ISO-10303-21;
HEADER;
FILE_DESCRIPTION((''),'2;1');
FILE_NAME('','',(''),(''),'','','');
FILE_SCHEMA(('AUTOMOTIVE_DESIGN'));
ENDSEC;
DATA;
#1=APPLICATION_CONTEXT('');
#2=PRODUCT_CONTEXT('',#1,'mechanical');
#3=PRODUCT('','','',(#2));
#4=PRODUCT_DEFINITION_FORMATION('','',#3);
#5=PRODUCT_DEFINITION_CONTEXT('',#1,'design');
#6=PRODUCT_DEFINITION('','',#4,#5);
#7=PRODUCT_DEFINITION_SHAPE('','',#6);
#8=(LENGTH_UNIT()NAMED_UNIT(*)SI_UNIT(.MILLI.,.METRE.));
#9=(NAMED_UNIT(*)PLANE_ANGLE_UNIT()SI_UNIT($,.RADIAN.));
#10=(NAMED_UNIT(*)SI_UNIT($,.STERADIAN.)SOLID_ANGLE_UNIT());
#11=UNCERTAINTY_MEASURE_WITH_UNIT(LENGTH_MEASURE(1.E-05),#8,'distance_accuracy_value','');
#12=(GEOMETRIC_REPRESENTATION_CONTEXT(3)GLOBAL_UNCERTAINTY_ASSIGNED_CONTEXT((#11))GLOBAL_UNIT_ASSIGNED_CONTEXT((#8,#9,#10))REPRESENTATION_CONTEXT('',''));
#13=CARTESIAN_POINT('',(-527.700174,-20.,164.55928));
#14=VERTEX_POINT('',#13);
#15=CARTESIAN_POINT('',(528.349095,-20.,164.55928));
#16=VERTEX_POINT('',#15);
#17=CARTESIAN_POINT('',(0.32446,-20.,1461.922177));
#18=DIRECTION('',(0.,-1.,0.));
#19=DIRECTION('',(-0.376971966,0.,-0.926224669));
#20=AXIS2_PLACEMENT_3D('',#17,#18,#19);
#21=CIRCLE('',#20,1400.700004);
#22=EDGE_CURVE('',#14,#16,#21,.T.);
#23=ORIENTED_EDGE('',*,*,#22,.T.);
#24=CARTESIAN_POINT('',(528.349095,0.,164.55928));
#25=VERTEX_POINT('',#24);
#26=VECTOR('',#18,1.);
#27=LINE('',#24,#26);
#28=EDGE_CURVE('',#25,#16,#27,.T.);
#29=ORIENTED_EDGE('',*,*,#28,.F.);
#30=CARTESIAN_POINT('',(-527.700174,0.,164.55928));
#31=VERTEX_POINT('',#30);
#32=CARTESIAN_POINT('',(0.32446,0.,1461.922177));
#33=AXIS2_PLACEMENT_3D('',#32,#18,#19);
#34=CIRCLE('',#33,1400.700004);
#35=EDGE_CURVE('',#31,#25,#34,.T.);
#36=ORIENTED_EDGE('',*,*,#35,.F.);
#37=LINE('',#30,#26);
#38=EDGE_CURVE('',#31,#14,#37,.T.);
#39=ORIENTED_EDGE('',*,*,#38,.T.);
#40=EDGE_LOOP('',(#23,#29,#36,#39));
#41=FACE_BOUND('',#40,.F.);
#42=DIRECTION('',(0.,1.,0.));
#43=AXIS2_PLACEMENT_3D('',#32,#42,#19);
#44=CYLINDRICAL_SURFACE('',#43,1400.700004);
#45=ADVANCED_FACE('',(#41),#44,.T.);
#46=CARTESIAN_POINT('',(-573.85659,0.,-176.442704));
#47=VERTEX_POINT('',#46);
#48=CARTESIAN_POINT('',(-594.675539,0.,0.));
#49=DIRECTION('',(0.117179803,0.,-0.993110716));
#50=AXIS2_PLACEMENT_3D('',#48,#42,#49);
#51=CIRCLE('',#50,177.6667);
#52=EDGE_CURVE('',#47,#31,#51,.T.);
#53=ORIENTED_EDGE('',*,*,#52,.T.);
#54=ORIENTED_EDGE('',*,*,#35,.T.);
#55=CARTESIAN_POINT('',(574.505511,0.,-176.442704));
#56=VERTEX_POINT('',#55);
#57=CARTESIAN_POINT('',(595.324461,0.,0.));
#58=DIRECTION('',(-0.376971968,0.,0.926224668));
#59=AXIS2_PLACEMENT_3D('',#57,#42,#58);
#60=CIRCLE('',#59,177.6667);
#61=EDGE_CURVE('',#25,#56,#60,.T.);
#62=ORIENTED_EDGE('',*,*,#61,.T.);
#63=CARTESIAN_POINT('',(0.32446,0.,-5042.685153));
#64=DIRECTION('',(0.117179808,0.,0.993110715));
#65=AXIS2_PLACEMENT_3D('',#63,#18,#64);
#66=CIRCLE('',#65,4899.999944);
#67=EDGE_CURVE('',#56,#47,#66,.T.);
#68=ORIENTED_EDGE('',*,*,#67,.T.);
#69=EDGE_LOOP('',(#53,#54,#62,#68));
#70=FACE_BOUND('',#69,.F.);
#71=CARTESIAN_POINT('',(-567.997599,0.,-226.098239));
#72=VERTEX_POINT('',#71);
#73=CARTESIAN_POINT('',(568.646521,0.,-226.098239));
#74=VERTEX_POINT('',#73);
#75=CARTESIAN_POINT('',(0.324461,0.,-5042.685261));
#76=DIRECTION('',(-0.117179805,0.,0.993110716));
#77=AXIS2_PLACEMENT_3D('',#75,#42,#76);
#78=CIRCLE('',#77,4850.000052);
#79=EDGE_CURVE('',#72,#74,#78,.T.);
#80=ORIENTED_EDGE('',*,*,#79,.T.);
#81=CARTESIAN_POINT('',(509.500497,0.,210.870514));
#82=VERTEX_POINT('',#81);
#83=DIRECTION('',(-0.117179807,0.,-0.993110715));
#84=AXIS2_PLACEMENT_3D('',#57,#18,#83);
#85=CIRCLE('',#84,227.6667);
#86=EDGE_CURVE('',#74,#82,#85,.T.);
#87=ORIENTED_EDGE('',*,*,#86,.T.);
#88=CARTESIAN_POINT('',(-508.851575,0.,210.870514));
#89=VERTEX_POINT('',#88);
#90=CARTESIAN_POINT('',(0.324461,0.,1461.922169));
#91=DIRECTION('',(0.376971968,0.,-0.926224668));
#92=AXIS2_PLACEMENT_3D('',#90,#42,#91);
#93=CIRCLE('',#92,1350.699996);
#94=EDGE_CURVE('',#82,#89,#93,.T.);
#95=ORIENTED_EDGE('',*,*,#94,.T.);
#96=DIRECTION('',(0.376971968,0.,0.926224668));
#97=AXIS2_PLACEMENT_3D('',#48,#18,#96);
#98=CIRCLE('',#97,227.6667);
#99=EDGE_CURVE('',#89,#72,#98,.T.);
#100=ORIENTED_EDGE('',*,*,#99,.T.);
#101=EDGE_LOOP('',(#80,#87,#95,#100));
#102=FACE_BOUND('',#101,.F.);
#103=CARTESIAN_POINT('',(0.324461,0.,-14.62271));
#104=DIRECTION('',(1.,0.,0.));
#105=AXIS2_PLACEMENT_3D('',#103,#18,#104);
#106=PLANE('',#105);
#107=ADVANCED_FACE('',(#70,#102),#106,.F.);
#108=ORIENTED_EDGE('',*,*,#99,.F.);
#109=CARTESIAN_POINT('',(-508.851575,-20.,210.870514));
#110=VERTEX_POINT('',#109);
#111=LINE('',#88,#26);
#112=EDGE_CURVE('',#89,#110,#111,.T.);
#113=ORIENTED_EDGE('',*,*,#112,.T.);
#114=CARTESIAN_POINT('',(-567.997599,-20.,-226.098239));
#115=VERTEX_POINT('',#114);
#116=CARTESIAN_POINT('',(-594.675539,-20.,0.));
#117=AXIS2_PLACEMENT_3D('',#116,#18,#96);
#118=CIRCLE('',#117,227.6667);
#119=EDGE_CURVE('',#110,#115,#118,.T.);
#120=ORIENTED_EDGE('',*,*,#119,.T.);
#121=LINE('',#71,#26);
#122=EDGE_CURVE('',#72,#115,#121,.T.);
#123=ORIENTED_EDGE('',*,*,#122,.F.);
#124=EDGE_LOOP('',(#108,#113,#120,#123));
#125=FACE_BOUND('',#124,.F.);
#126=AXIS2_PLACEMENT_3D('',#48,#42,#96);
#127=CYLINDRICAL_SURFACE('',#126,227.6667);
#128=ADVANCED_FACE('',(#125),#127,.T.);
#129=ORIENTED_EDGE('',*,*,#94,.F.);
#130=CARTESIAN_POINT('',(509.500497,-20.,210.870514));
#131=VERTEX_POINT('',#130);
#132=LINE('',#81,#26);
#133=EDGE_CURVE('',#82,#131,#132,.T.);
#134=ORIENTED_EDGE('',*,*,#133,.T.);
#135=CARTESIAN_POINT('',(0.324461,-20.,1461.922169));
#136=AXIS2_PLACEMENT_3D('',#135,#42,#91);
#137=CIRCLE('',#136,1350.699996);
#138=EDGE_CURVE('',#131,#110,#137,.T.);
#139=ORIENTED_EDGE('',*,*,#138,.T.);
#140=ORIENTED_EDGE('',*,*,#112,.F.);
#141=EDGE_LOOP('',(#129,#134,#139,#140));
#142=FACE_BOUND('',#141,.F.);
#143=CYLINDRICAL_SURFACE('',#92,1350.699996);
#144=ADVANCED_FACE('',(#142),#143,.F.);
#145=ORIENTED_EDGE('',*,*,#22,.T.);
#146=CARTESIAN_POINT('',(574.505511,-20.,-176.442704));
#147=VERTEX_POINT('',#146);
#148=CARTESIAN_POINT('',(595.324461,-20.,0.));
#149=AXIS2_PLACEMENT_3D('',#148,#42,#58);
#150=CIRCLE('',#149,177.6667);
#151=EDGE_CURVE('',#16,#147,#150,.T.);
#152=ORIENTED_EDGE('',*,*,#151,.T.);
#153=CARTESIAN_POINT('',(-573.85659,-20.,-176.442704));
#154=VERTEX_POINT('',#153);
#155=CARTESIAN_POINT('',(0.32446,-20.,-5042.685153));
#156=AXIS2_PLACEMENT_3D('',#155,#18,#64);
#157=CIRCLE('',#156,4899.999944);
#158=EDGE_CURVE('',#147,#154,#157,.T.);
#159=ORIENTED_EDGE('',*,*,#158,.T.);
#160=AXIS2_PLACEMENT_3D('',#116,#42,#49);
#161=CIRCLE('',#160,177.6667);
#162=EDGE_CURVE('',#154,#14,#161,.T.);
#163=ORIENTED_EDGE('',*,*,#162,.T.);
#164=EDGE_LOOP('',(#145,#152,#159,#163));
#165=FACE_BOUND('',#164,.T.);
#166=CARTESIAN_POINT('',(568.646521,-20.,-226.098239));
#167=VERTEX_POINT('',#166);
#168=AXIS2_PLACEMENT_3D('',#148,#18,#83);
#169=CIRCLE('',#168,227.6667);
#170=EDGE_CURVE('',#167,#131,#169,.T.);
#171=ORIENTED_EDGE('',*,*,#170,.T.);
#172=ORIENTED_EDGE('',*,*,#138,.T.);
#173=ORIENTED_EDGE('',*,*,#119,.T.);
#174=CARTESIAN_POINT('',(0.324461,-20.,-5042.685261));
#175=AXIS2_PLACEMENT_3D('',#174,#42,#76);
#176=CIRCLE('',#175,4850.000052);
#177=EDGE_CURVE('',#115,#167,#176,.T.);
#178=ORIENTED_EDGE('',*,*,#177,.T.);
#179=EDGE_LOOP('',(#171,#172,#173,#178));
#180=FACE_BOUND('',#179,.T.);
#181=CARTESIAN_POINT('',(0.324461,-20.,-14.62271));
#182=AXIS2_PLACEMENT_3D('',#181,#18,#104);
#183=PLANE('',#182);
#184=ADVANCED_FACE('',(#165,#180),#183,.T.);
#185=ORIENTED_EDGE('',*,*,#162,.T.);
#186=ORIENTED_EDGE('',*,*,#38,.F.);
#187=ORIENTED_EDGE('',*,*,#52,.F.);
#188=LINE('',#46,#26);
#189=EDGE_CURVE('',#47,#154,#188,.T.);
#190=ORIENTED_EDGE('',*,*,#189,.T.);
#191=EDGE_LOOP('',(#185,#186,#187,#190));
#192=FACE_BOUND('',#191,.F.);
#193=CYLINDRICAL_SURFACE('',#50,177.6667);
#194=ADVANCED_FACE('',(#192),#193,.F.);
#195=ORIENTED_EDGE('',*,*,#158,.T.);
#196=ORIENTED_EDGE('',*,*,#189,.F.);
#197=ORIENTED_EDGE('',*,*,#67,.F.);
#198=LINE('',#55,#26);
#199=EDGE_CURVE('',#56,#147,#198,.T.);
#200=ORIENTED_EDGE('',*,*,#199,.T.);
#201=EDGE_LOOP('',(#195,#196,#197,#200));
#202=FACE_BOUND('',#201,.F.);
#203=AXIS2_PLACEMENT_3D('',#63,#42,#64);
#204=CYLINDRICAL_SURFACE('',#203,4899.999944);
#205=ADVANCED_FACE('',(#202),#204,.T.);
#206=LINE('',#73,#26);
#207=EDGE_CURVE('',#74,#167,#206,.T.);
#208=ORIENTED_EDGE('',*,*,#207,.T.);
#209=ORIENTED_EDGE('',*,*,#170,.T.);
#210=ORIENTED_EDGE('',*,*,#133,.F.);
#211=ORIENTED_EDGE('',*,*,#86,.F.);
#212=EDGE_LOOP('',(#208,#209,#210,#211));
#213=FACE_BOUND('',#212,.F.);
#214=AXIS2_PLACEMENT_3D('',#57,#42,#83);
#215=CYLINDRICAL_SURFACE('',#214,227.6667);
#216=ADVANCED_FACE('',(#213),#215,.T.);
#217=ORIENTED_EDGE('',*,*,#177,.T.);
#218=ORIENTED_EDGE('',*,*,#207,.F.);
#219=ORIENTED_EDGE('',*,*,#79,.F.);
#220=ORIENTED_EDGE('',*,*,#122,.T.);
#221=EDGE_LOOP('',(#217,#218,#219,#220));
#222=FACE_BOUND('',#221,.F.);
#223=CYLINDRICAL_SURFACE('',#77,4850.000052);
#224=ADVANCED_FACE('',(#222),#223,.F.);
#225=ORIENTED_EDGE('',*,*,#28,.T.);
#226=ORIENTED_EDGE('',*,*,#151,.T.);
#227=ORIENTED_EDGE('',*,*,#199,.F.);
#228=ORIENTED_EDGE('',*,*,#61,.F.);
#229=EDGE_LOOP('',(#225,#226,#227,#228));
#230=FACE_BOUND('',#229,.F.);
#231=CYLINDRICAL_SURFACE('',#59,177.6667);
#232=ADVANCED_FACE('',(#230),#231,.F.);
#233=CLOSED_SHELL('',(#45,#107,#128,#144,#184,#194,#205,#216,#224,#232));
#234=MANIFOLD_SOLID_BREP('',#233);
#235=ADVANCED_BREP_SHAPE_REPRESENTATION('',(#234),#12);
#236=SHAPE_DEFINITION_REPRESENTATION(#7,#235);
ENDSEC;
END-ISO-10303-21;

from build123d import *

# Parameters (mm, degrees)
F1_DEPTH = 20


with BuildPart() as f1:
    # F0 (on Front) → F1 (new body)
    with BuildSketch(Plane.XZ):
        with BuildLine():
            ThreePointArc((509.500497, 210.870514), (0.324461, 111.222173), (-508.851575, 210.870514))
            ThreePointArc((-508.851575, 210.870514), (-820.284919, 30.537419), (-567.997599, -226.098239))
            ThreePointArc((-567.997599, -226.098239), (0.324461, -192.685209), (568.646521, -226.098239))
            ThreePointArc((568.646521, -226.098239), (820.933841, 30.537419), (509.500497, 210.870514))
        make_face()
        with BuildLine():
            ThreePointArc((-573.85659, -176.442704), (-770.736746, 23.830812), (-527.700174, 164.55928))
            ThreePointArc((-527.700174, 164.55928), (0.324461, 61.222173), (528.349095, 164.55928))
            ThreePointArc((528.349095, 164.55928), (771.385668, 23.830812), (574.505511, -176.442704))
            ThreePointArc((574.505511, -176.442704), (0.324461, -142.685209), (-573.85659, -176.442704))
        make_face(mode=Mode.SUBTRACT)
    extrude(amount=F1_DEPTH)


solid = f1.part
